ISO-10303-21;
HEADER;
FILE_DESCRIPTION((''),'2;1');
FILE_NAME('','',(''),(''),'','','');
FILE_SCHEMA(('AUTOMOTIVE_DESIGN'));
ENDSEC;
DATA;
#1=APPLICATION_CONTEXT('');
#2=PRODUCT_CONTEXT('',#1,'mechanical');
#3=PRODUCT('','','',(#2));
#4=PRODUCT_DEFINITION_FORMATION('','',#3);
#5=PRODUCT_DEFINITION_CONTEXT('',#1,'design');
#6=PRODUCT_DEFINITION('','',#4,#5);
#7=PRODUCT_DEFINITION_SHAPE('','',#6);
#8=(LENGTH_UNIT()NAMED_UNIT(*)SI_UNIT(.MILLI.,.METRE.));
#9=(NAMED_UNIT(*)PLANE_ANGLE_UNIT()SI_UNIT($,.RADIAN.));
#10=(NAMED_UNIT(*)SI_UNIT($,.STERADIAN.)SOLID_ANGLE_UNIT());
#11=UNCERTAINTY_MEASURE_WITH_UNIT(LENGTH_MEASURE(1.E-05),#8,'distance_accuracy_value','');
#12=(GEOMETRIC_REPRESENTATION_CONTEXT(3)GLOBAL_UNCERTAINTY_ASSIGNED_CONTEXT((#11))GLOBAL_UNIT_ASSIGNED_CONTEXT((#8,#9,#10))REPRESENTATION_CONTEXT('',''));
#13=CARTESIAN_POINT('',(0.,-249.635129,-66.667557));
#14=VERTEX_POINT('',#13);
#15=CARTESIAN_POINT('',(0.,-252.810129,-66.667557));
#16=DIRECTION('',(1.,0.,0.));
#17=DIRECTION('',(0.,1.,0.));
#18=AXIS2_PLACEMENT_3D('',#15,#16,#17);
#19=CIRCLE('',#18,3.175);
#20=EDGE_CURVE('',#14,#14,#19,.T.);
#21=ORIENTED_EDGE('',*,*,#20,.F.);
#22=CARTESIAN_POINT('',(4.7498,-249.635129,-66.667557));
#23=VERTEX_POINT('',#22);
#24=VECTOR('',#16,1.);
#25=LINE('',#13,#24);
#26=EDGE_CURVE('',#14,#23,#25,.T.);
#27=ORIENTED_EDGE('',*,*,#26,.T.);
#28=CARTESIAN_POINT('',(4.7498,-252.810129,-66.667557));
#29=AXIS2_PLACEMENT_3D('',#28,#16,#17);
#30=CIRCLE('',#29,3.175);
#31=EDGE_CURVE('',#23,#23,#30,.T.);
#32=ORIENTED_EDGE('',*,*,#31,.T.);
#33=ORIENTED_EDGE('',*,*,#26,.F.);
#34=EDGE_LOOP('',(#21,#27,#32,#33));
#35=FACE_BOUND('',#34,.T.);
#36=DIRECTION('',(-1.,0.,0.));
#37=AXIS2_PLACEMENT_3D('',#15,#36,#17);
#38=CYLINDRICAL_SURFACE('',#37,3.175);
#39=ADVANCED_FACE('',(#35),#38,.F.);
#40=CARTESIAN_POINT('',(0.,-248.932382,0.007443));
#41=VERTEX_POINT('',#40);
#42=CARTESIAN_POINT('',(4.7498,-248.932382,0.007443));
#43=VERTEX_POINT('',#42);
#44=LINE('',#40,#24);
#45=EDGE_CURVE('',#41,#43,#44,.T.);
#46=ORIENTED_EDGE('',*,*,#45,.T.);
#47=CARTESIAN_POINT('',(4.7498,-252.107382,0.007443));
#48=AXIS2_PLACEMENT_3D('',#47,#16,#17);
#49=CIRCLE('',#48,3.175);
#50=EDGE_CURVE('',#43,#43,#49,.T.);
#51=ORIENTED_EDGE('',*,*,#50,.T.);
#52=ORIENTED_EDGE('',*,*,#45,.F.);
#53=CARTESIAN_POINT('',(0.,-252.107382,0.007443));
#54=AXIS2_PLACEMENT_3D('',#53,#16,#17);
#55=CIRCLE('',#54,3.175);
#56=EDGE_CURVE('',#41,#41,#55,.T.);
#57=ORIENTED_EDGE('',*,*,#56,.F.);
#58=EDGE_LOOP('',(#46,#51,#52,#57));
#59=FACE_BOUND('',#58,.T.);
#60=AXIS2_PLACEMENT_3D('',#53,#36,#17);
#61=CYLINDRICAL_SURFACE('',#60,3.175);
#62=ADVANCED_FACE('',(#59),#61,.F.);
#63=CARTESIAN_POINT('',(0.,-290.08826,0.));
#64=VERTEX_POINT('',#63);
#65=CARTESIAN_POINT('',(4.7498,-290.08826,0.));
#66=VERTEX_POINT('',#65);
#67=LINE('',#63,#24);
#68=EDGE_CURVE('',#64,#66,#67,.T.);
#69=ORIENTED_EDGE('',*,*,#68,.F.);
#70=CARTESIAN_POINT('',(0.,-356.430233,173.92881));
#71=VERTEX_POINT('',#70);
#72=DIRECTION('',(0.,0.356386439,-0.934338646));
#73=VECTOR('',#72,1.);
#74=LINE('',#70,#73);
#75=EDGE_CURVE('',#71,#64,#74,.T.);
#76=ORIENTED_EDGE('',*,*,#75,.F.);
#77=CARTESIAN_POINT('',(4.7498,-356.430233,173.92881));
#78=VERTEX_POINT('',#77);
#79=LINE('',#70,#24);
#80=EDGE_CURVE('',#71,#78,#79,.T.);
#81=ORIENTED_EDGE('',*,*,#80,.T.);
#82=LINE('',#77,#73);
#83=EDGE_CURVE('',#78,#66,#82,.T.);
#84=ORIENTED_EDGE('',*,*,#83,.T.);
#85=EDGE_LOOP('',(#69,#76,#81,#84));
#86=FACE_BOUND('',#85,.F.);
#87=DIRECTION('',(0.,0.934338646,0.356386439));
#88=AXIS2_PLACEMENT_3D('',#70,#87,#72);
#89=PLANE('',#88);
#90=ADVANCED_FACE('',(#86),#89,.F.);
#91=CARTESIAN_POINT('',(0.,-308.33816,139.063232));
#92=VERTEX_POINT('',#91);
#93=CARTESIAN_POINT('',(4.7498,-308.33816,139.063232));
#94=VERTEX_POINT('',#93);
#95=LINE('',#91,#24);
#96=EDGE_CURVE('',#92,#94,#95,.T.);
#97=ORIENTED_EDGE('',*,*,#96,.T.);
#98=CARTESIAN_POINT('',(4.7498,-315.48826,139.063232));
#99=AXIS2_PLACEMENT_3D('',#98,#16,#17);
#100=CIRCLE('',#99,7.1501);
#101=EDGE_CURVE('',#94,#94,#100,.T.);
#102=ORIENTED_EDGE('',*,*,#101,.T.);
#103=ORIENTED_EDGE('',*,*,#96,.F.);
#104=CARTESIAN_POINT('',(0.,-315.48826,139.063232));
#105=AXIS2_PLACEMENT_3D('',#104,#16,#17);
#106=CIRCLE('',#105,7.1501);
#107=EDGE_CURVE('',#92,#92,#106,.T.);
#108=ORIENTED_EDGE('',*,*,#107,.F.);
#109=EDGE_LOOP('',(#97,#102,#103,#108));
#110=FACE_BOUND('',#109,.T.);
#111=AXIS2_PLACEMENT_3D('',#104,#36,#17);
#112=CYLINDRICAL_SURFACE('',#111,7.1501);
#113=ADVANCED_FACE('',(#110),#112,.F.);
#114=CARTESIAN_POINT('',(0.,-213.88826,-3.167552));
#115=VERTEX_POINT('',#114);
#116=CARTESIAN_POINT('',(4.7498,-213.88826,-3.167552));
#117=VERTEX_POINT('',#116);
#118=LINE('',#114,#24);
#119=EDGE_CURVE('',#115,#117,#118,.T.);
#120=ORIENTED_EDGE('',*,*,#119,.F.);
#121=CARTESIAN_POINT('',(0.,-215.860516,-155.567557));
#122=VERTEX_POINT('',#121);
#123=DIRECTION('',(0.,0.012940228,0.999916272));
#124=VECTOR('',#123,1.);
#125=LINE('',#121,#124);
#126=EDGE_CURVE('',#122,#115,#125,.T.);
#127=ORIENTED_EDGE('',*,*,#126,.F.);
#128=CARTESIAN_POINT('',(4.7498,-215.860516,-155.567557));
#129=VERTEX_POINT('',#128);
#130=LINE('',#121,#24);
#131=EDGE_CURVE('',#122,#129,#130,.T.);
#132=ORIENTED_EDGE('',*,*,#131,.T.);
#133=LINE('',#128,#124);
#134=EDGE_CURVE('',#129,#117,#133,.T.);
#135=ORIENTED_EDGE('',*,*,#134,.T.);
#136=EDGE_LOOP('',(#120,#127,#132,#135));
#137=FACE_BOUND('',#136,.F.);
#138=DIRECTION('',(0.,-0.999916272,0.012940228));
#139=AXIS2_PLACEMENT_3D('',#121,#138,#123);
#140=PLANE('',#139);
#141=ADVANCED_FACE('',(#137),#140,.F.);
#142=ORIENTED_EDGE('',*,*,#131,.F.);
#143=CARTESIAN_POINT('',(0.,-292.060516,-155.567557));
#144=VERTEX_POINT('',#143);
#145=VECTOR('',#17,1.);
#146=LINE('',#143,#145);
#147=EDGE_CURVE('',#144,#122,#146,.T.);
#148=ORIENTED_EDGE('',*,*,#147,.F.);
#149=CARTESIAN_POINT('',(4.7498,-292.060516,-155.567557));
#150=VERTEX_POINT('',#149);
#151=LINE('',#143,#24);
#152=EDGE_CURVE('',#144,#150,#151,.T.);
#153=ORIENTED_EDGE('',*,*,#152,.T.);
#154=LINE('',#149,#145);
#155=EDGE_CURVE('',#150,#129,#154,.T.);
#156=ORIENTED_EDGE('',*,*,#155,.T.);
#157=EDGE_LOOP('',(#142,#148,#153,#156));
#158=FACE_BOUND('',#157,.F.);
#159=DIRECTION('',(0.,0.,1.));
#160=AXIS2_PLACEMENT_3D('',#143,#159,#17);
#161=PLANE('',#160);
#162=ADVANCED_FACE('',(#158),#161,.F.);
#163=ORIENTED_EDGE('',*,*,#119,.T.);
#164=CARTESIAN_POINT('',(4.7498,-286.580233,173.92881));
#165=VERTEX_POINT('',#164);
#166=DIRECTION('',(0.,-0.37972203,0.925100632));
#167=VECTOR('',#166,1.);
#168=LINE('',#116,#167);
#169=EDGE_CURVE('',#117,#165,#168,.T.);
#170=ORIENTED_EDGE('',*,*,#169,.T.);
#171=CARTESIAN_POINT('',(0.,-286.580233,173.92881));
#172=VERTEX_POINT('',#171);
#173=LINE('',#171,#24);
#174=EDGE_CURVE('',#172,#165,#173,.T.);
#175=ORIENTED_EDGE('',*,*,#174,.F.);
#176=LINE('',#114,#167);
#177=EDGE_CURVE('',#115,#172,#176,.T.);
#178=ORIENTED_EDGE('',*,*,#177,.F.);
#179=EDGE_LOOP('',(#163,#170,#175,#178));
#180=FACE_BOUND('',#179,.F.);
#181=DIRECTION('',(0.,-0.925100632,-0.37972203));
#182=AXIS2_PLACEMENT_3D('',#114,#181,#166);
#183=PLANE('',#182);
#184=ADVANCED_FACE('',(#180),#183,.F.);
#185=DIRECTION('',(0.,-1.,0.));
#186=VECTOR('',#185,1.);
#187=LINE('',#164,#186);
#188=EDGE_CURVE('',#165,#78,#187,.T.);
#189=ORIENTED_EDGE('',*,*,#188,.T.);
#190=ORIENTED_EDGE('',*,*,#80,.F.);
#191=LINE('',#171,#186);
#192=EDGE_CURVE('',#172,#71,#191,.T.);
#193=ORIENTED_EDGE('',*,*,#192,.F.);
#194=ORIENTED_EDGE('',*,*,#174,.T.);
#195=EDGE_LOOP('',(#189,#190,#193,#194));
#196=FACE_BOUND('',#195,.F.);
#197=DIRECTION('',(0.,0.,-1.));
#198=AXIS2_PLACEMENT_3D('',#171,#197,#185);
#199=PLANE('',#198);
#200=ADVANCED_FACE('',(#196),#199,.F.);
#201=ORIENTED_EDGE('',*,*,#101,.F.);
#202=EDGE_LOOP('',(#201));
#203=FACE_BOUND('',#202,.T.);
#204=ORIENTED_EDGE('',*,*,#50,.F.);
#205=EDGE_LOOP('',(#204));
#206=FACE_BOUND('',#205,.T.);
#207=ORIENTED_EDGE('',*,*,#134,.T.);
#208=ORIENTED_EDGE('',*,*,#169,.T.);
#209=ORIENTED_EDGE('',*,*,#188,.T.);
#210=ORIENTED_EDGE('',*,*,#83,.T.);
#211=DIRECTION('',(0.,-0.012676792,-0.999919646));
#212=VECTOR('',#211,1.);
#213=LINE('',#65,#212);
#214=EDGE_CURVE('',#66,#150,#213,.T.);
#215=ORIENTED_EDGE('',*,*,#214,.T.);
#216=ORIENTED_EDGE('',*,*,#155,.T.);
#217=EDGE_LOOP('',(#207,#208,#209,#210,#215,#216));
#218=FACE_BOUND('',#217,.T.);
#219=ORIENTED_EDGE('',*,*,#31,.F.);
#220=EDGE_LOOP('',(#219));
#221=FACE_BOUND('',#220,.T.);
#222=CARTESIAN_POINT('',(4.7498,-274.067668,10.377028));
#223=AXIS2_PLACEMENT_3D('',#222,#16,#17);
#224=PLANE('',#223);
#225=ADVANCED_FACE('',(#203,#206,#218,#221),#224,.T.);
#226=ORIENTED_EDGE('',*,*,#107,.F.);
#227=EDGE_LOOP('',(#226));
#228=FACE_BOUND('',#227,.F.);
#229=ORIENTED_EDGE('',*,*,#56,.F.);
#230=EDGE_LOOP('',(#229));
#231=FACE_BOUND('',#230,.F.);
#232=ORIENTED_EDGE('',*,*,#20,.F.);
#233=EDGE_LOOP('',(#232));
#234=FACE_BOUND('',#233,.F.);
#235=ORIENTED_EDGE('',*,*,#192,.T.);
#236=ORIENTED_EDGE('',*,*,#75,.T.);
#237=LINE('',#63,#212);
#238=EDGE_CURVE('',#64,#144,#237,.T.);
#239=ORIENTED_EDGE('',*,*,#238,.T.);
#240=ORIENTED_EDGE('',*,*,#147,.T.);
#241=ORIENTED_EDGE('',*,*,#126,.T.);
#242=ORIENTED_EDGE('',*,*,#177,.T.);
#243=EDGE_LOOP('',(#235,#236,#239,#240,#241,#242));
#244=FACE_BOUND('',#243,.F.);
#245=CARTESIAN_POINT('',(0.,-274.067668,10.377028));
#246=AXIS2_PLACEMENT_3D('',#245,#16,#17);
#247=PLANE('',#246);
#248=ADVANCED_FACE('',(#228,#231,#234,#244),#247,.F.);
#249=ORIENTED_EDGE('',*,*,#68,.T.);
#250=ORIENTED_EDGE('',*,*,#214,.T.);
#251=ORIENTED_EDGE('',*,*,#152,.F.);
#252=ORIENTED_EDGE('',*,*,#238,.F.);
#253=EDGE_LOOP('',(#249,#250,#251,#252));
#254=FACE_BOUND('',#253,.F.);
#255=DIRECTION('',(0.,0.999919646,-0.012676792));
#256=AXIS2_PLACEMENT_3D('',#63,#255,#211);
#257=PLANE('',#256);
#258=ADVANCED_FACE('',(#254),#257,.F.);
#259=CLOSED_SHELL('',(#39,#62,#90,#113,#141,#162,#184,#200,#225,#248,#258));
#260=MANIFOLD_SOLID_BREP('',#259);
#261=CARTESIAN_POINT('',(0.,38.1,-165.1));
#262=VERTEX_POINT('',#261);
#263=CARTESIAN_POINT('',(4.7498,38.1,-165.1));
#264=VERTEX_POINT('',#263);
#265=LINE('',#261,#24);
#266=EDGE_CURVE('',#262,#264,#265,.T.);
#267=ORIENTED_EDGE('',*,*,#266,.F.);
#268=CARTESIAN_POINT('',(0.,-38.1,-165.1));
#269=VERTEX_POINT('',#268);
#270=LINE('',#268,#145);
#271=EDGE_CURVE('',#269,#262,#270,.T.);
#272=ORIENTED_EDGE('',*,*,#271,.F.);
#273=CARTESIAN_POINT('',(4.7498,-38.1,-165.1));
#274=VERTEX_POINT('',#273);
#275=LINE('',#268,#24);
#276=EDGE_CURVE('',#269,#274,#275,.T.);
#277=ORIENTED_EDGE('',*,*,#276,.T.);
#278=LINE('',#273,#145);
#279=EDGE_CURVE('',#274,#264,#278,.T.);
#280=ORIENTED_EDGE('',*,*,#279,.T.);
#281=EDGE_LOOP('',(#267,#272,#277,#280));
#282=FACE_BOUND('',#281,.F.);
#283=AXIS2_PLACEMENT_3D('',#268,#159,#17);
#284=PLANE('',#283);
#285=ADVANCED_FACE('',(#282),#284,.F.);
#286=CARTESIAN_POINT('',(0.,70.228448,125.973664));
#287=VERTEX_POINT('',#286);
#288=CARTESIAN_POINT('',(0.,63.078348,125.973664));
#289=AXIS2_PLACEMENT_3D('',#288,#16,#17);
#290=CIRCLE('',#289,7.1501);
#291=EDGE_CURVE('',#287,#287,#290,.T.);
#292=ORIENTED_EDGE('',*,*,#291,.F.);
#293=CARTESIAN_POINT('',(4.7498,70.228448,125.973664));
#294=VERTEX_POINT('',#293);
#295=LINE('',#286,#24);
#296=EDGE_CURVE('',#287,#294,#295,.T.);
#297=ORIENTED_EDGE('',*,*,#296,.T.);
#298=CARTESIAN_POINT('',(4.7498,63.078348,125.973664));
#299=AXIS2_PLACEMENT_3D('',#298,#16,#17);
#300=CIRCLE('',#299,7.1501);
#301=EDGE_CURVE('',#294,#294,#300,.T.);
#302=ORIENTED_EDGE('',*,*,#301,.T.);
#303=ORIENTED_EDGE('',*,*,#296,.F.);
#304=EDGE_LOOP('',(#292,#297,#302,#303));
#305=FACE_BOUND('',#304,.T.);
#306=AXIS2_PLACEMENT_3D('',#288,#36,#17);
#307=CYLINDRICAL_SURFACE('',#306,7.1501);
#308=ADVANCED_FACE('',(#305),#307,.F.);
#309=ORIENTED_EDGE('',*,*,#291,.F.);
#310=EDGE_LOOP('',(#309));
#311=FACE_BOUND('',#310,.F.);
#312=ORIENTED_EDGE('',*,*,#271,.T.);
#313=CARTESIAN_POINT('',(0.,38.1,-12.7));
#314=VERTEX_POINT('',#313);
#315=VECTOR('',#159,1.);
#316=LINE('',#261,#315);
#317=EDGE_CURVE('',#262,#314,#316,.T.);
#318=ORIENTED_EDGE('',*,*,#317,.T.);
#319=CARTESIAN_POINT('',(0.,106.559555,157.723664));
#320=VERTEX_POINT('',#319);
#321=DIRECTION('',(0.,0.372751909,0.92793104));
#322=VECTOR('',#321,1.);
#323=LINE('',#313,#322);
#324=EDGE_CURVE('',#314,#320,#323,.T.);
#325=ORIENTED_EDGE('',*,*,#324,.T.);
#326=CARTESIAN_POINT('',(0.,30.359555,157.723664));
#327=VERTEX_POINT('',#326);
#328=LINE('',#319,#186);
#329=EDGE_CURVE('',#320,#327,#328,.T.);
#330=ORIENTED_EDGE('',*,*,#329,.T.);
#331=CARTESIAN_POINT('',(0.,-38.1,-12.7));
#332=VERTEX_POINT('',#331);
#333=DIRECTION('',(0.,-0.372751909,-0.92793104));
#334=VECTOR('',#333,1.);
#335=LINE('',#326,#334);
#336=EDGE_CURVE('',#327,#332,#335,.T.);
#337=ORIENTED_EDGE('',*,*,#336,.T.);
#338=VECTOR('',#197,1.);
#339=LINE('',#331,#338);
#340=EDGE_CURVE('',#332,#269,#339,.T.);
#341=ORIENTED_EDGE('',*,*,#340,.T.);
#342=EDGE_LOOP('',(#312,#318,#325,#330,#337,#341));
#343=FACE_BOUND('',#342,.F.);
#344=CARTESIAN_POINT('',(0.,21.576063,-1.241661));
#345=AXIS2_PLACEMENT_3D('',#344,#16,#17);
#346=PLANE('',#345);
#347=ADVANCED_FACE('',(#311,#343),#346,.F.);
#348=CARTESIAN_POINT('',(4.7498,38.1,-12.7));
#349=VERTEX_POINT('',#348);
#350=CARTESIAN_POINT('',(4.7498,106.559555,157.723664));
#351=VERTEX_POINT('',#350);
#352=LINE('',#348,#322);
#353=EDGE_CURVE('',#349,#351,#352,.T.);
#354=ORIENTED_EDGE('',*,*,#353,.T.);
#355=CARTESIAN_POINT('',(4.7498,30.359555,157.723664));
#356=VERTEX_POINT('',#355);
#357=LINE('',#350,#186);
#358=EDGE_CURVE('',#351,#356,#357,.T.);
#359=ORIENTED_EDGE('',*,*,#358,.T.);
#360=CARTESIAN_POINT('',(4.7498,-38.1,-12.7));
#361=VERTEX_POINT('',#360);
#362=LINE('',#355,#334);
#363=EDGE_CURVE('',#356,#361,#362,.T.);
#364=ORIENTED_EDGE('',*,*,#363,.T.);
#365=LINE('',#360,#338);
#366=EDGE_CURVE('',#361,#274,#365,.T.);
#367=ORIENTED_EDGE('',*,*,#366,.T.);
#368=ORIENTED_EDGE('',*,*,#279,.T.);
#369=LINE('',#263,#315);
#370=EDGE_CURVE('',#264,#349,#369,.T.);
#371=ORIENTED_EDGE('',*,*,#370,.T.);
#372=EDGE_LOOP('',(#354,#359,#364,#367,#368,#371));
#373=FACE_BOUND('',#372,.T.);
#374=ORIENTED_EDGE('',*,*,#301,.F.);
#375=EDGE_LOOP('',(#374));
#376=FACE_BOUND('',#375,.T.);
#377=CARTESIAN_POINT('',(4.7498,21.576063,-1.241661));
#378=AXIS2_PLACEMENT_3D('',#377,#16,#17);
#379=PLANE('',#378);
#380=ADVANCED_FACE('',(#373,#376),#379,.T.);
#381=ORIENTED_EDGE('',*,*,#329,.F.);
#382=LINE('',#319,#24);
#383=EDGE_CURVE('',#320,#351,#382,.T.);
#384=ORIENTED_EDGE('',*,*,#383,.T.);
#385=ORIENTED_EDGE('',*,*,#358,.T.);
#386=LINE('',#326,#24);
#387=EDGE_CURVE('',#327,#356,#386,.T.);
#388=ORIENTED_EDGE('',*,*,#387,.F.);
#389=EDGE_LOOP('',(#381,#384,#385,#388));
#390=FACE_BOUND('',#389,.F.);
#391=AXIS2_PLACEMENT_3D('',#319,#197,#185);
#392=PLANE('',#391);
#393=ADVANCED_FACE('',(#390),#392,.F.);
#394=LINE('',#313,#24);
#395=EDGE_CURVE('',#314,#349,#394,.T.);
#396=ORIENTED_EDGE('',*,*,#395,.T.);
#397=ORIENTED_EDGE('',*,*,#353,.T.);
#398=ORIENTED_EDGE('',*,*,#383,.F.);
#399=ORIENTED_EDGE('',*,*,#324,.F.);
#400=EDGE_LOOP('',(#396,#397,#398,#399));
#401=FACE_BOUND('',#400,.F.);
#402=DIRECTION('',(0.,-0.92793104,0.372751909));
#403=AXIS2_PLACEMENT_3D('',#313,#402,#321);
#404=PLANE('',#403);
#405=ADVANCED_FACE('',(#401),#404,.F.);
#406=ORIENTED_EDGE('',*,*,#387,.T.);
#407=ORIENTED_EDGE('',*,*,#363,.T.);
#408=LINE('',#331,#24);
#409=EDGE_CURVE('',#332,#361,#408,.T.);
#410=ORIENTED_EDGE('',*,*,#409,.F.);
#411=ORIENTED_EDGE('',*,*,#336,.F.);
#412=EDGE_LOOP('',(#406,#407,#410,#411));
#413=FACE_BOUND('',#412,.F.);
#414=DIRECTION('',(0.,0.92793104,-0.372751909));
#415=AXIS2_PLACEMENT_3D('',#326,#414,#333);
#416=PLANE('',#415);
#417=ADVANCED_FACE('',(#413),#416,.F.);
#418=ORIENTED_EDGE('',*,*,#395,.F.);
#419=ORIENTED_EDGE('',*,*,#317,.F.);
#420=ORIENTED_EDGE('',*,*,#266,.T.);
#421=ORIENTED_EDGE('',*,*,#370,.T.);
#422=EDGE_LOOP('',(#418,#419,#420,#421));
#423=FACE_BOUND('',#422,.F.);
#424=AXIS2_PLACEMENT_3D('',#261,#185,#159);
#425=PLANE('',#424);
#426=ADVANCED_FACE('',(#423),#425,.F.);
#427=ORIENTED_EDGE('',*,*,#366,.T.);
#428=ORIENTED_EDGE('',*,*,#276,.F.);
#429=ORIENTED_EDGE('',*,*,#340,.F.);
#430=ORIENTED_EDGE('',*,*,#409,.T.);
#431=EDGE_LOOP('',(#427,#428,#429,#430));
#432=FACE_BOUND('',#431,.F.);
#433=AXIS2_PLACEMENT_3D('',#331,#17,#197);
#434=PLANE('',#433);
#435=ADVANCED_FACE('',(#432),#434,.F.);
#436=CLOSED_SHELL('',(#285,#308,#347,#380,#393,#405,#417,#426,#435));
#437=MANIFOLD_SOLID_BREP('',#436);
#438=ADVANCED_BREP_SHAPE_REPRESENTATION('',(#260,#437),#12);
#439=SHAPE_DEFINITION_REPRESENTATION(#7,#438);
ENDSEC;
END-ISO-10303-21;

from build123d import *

# Parameters (mm, degrees)
F0_R     = 7.1501
F0_R_2   = 3.175
F1_DEPTH = 4.7498


with BuildPart() as f1:
    # F0 (on Right) → F1 (new body)
    with BuildSketch(Plane.YZ):
        Polygon((-38.1, -165.1), (38.1, -165.1), (38.1, -12.7), (106.559555, 157.723664), (30.359555, 157.723664), (-38.1, -12.7), align=None)
        with Locations((63.078348, 125.973664)):
            Circle(F0_R, mode=Mode.SUBTRACT)
        Polygon((-292.060516, -155.567557), (-215.860516, -155.567557), (-213.88826, -3.167552), (-286.580233, 173.92881), (-356.430233, 173.92881), (-290.08826, 0), align=None)
        with Locations((-252.810129, -66.667557)):
            Circle(F0_R_2, mode=Mode.SUBTRACT)
        with Locations((-252.107382, 0.007443)):
            Circle(F0_R_2, mode=Mode.SUBTRACT)
        with Locations((-315.48826, 139.063232)):
            Circle(F0_R, mode=Mode.SUBTRACT)
    extrude(amount=F1_DEPTH)


solid = f1.part
